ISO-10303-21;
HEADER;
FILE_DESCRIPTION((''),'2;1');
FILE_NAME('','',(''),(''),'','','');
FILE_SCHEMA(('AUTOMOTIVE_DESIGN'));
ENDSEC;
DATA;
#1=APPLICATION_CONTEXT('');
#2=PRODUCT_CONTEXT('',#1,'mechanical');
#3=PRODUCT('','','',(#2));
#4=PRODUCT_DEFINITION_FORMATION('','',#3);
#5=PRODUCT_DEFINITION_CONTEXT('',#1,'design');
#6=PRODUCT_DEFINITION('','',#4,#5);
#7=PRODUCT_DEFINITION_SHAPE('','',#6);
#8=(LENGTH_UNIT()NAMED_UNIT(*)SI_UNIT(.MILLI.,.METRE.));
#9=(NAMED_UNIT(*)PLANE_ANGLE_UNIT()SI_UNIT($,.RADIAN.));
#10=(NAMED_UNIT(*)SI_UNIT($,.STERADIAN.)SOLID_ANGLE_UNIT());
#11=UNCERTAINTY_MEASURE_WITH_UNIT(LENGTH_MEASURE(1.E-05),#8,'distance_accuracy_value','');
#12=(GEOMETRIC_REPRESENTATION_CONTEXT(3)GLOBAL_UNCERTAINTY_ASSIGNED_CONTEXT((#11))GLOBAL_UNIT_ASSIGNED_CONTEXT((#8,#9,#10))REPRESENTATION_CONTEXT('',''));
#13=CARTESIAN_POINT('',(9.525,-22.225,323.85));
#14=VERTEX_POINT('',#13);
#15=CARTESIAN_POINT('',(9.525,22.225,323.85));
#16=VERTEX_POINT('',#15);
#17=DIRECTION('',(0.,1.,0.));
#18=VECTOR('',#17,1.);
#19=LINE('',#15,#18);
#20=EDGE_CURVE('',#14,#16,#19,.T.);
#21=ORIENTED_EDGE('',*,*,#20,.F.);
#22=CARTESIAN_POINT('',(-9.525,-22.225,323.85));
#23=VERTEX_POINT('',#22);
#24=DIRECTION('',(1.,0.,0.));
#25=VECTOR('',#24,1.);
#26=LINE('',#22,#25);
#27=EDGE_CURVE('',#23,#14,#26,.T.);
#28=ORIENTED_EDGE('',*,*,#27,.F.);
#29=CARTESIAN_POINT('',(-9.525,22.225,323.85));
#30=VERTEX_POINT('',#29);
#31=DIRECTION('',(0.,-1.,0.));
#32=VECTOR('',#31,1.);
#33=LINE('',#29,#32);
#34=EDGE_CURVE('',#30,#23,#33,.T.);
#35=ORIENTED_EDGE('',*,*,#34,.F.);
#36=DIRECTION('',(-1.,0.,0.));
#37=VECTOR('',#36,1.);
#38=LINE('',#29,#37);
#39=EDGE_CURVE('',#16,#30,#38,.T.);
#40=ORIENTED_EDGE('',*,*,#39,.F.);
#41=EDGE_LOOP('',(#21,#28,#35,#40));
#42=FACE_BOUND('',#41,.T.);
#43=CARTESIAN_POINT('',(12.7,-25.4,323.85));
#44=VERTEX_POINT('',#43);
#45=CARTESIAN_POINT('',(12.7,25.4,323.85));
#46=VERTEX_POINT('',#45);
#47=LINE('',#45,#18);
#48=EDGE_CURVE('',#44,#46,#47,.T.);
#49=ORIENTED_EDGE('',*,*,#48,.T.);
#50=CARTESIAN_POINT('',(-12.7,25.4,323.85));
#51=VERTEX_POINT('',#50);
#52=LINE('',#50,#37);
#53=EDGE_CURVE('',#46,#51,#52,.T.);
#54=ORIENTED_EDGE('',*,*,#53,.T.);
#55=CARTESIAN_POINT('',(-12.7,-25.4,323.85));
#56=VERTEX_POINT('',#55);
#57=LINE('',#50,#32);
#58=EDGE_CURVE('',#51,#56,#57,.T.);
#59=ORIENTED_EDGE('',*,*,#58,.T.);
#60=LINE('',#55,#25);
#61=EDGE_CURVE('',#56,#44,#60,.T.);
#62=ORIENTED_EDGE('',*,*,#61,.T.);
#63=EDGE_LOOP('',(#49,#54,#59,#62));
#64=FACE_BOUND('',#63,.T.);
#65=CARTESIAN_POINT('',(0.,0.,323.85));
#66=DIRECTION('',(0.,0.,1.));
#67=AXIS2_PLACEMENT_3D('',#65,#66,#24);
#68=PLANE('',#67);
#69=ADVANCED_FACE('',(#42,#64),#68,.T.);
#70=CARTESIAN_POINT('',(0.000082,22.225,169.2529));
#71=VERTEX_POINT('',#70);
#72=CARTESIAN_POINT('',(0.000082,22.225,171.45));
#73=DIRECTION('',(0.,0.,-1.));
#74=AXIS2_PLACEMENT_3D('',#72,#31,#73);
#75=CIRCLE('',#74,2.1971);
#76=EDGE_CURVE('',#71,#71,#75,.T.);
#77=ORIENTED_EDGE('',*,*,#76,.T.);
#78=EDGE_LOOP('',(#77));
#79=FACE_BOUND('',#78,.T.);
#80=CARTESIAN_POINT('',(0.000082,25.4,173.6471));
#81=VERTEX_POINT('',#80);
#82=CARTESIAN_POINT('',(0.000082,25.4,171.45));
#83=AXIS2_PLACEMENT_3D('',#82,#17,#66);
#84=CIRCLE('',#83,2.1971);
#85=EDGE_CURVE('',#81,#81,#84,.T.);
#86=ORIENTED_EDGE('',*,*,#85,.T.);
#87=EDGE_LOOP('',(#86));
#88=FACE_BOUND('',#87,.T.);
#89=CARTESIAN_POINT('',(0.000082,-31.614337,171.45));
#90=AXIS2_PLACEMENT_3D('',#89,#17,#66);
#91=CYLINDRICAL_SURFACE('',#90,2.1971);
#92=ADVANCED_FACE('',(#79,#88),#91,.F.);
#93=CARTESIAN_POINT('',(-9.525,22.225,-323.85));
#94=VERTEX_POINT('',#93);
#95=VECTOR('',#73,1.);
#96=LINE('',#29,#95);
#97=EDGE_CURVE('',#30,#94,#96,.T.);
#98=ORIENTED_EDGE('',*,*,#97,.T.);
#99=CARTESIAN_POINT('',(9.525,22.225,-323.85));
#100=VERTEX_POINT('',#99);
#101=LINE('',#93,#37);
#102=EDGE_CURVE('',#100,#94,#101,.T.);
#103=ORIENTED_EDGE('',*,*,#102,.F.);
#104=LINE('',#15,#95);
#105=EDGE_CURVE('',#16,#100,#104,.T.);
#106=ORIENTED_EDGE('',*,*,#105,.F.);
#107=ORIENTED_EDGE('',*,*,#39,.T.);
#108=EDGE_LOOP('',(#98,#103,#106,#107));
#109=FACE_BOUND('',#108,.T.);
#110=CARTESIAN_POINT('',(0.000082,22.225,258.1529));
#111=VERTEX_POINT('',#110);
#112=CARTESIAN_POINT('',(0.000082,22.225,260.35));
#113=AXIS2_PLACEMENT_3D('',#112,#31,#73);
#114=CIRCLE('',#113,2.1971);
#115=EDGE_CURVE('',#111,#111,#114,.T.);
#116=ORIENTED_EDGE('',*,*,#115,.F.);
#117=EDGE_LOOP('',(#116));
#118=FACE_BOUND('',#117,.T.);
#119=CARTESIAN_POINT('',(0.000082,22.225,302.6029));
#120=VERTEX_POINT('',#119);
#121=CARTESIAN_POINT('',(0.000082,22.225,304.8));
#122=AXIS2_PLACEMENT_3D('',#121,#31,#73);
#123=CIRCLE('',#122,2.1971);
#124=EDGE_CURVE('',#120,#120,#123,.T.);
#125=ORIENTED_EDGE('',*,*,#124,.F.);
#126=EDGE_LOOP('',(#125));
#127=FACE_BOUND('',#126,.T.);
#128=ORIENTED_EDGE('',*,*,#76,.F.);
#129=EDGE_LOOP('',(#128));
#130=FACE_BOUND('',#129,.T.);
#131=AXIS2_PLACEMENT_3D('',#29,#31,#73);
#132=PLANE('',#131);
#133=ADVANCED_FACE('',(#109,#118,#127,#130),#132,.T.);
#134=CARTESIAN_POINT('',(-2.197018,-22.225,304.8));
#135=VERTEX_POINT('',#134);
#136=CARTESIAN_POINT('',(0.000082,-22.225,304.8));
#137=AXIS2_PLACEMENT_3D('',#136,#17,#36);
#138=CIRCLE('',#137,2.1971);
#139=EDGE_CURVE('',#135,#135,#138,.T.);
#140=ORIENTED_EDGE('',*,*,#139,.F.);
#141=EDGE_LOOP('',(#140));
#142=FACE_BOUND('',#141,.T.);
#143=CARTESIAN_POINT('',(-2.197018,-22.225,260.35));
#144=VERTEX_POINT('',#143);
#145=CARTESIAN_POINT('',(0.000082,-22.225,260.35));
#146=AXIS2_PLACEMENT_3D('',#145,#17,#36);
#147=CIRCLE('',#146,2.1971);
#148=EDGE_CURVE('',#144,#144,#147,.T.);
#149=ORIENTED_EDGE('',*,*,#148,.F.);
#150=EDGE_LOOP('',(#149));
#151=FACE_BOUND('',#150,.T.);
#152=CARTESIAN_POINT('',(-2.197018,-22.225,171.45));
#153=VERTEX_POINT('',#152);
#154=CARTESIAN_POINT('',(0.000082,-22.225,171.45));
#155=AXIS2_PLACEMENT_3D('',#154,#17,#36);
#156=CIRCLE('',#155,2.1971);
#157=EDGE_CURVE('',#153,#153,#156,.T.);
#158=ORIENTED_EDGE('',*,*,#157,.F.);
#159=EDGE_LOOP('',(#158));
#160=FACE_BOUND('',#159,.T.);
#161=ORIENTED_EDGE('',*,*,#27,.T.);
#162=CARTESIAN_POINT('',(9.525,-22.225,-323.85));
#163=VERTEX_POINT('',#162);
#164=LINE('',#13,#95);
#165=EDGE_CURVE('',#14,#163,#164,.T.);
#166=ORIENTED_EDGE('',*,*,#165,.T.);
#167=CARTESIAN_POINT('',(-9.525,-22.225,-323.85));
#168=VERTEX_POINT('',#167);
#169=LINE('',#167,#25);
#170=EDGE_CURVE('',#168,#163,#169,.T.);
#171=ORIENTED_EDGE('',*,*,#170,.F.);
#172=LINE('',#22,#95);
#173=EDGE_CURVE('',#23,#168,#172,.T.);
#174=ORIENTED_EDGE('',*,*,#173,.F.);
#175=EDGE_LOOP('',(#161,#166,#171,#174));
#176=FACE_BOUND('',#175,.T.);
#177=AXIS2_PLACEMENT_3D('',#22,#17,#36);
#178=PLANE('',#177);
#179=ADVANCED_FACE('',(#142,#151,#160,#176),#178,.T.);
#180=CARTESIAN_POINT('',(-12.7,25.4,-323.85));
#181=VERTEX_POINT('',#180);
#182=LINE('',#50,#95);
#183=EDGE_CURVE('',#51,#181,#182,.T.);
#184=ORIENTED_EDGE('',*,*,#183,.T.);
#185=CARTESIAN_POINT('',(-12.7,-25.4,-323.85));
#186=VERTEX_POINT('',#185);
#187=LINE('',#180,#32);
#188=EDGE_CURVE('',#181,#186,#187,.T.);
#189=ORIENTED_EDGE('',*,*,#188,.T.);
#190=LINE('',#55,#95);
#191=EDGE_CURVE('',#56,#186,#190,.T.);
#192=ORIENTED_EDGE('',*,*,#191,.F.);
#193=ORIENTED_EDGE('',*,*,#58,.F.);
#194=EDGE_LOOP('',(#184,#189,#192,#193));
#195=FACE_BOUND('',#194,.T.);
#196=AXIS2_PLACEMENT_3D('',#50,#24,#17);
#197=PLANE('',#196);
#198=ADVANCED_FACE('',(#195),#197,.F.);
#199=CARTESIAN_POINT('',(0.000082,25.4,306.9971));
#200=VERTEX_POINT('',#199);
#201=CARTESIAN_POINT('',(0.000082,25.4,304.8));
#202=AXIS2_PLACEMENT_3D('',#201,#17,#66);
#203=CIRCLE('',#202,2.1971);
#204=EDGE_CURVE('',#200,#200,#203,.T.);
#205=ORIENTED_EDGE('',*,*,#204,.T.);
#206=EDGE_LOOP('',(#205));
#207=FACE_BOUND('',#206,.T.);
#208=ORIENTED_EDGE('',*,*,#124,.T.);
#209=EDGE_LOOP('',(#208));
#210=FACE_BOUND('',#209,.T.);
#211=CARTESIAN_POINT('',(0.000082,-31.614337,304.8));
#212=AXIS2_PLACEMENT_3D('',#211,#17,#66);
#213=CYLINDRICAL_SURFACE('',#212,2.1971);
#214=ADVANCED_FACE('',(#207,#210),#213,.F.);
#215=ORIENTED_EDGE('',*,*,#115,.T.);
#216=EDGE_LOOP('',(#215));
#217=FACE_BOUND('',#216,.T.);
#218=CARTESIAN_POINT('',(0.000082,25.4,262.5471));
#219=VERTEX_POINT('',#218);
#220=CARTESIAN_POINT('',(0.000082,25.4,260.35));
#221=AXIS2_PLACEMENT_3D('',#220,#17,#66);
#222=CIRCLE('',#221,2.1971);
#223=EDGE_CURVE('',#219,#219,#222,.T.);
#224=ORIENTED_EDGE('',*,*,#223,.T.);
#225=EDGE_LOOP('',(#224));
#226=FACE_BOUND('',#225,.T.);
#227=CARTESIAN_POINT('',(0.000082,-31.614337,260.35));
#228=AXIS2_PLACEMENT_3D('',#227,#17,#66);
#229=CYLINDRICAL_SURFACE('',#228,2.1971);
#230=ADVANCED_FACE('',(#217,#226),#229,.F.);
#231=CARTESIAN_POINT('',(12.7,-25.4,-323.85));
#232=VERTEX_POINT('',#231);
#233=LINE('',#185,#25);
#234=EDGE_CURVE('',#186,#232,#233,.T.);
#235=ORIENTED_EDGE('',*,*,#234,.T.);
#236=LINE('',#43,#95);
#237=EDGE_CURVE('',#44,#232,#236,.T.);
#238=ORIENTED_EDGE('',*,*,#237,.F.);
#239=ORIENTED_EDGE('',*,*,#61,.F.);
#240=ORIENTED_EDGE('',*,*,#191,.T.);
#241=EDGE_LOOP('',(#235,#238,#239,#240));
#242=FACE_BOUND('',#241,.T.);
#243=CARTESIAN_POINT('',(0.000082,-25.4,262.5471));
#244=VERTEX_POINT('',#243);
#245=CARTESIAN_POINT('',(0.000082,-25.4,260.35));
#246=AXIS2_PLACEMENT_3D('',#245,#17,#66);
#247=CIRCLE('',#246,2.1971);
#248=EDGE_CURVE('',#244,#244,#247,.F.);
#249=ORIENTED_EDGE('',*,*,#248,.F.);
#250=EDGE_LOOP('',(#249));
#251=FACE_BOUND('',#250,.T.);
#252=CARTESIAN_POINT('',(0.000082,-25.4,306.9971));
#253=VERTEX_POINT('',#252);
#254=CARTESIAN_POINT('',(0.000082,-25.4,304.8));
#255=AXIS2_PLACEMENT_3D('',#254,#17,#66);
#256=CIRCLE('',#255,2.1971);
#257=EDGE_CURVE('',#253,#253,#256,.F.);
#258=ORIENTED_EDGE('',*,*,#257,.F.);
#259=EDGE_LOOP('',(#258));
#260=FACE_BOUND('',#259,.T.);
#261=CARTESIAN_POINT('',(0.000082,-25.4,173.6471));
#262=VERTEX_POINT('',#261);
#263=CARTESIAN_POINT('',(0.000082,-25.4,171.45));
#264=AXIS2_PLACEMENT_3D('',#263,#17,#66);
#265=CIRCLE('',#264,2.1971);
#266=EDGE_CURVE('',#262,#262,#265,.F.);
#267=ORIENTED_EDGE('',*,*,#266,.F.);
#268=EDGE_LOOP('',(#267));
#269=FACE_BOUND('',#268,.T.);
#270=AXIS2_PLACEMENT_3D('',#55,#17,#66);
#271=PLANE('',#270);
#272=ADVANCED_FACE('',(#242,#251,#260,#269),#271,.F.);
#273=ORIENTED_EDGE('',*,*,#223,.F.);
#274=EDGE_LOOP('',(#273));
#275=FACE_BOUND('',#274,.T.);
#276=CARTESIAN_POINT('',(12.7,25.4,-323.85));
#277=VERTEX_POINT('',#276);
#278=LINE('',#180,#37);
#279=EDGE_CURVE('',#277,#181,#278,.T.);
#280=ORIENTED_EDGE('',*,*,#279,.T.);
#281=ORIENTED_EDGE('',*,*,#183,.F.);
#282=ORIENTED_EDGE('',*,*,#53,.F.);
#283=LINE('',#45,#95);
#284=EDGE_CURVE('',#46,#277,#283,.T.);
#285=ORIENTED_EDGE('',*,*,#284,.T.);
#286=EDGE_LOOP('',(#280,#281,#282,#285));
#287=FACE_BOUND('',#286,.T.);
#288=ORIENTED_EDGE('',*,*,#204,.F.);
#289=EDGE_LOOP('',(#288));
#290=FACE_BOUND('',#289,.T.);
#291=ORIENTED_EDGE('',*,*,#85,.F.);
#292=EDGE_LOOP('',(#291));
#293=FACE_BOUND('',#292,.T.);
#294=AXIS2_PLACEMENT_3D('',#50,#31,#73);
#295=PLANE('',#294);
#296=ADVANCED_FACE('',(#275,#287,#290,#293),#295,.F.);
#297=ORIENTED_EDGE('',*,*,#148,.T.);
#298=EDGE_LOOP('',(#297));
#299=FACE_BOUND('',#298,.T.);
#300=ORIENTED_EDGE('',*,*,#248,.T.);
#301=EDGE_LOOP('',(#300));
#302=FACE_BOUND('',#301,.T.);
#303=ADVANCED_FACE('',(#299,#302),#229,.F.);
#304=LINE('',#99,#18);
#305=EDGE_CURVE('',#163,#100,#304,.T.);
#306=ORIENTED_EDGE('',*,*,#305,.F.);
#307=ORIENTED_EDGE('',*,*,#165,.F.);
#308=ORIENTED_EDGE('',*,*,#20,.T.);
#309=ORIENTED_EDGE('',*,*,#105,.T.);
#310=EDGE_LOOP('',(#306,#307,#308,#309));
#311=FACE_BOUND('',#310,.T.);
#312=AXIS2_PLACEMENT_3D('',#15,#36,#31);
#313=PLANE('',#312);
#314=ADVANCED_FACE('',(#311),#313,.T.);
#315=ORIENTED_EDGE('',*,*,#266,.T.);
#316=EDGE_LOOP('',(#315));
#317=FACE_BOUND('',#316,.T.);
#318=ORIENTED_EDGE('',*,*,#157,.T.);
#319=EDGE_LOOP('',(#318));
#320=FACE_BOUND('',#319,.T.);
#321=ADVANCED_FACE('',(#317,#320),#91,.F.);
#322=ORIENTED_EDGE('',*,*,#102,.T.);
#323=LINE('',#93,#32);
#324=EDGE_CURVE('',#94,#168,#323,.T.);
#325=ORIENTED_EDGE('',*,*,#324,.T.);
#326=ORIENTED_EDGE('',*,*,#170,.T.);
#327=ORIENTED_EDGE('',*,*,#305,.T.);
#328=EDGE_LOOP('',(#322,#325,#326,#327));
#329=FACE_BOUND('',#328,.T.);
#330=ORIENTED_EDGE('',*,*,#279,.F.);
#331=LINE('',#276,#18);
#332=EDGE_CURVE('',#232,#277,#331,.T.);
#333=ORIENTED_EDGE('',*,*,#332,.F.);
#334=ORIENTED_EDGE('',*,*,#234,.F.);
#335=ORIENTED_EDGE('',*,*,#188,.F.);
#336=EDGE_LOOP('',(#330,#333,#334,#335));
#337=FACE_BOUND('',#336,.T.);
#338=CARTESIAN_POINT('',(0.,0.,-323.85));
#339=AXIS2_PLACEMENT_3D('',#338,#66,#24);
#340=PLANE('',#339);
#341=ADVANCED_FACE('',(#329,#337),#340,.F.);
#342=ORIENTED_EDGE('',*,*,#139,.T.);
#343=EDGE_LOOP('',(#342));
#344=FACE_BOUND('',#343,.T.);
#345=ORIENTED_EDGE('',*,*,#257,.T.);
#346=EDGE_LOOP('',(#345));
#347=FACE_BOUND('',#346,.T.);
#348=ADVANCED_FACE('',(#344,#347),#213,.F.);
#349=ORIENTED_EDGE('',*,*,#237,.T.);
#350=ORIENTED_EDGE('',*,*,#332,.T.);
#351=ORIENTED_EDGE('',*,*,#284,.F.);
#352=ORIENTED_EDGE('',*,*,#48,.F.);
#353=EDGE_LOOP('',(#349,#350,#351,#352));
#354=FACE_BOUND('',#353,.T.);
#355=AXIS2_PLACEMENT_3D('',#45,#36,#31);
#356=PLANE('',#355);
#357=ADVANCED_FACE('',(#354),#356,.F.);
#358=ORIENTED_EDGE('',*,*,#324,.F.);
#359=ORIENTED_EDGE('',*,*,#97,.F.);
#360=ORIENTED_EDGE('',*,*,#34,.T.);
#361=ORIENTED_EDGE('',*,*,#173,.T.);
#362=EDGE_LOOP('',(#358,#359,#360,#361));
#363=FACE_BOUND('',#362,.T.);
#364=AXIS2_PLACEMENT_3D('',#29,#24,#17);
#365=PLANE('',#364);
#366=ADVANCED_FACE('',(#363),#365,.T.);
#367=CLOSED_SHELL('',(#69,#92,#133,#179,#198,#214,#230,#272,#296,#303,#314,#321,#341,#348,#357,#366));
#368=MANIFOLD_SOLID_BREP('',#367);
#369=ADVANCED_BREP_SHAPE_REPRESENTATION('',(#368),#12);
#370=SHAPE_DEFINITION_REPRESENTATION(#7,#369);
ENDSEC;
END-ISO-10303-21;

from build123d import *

# Parameters (mm, degrees)
SKETCH1_W           = 25.4
SKETCH1_H           = 50.8
SKETCH1_W_2         = 19.05
SKETCH1_H_2         = 44.45
BOSS_EXTRUDE1_DEPTH = 323.85
CUT_EXTRUDE1_REACH  = 330.056
SKETCH2_R           = 2.1971


with BuildPart() as part:
    # Sketch1 → Boss-Extrude1 (new, symmetric)
    with BuildSketch(Plane.XY):
        Rectangle(SKETCH1_W, SKETCH1_H)
        Rectangle(SKETCH1_W_2, SKETCH1_H_2, mode=Mode.SUBTRACT)
    extrude(amount=BOSS_EXTRUDE1_DEPTH, both=True)

    # Cut-Extrude1: up to this face of the body (flat: up to its plane)
    cut_extrude1_end = Plane(part.part.faces().sort_by_distance((0, -25.4, 0))[0])
    # Sketch2 → Cut-Extrude1 (cut, up to the picked face)
    with BuildSketch(Plane(origin=(0, 25.4, 0), x_dir=(1, 0, 0), z_dir=(0, 1, 0)), mode=Mode.PRIVATE) as cut_extrude1_sk1:
        with Locations(Location((8.2464e-05, -304.8, 0), (0, 0, 270))):
            Circle(SKETCH2_R)
    cut_extrude1_tool1 = split(extrude(cut_extrude1_sk1.sketch, amount=-CUT_EXTRUDE1_REACH, mode=Mode.PRIVATE), bisect_by=cut_extrude1_end, keep=Keep.BOTH, mode=Mode.PRIVATE)
    # Sketch2 → Cut-Extrude1 (cut, up to the picked face)
    with BuildSketch(Plane(origin=(0, 25.4, 0), x_dir=(1, 0, 0), z_dir=(0, 1, 0)), mode=Mode.PRIVATE) as cut_extrude1_sk2:
        with Locations(Location((8.2464e-05, -260.35, 0), (0, 0, 270))):
            Circle(SKETCH2_R)
    cut_extrude1_tool2 = split(extrude(cut_extrude1_sk2.sketch, amount=-CUT_EXTRUDE1_REACH, mode=Mode.PRIVATE), bisect_by=cut_extrude1_end, keep=Keep.BOTH, mode=Mode.PRIVATE)
    # Sketch2 → Cut-Extrude1 (cut, up to the picked face)
    with BuildSketch(Plane(origin=(0, 25.4, 0), x_dir=(1, 0, 0), z_dir=(0, 1, 0)), mode=Mode.PRIVATE) as cut_extrude1_sk3:
        with Locations(Location((8.2464e-05, -171.45, 0), (0, 0, 270))):
            Circle(SKETCH2_R)
    cut_extrude1_tool3 = split(extrude(cut_extrude1_sk3.sketch, amount=-CUT_EXTRUDE1_REACH, mode=Mode.PRIVATE), bisect_by=cut_extrude1_end, keep=Keep.BOTH, mode=Mode.PRIVATE)
    add(cut_extrude1_tool1.solids().sort_by(Axis((8.2e-05, 25.4, 304.8), (0, -1, 0)))[0], mode=Mode.SUBTRACT)
    add(cut_extrude1_tool2.solids().sort_by(Axis((8.2e-05, 25.4, 260.35), (0, -1, 0)))[0], mode=Mode.SUBTRACT)
    add(cut_extrude1_tool3.solids().sort_by(Axis((8.2e-05, 25.4, 171.45), (0, -1, 0)))[0], mode=Mode.SUBTRACT)


solid = part.part
